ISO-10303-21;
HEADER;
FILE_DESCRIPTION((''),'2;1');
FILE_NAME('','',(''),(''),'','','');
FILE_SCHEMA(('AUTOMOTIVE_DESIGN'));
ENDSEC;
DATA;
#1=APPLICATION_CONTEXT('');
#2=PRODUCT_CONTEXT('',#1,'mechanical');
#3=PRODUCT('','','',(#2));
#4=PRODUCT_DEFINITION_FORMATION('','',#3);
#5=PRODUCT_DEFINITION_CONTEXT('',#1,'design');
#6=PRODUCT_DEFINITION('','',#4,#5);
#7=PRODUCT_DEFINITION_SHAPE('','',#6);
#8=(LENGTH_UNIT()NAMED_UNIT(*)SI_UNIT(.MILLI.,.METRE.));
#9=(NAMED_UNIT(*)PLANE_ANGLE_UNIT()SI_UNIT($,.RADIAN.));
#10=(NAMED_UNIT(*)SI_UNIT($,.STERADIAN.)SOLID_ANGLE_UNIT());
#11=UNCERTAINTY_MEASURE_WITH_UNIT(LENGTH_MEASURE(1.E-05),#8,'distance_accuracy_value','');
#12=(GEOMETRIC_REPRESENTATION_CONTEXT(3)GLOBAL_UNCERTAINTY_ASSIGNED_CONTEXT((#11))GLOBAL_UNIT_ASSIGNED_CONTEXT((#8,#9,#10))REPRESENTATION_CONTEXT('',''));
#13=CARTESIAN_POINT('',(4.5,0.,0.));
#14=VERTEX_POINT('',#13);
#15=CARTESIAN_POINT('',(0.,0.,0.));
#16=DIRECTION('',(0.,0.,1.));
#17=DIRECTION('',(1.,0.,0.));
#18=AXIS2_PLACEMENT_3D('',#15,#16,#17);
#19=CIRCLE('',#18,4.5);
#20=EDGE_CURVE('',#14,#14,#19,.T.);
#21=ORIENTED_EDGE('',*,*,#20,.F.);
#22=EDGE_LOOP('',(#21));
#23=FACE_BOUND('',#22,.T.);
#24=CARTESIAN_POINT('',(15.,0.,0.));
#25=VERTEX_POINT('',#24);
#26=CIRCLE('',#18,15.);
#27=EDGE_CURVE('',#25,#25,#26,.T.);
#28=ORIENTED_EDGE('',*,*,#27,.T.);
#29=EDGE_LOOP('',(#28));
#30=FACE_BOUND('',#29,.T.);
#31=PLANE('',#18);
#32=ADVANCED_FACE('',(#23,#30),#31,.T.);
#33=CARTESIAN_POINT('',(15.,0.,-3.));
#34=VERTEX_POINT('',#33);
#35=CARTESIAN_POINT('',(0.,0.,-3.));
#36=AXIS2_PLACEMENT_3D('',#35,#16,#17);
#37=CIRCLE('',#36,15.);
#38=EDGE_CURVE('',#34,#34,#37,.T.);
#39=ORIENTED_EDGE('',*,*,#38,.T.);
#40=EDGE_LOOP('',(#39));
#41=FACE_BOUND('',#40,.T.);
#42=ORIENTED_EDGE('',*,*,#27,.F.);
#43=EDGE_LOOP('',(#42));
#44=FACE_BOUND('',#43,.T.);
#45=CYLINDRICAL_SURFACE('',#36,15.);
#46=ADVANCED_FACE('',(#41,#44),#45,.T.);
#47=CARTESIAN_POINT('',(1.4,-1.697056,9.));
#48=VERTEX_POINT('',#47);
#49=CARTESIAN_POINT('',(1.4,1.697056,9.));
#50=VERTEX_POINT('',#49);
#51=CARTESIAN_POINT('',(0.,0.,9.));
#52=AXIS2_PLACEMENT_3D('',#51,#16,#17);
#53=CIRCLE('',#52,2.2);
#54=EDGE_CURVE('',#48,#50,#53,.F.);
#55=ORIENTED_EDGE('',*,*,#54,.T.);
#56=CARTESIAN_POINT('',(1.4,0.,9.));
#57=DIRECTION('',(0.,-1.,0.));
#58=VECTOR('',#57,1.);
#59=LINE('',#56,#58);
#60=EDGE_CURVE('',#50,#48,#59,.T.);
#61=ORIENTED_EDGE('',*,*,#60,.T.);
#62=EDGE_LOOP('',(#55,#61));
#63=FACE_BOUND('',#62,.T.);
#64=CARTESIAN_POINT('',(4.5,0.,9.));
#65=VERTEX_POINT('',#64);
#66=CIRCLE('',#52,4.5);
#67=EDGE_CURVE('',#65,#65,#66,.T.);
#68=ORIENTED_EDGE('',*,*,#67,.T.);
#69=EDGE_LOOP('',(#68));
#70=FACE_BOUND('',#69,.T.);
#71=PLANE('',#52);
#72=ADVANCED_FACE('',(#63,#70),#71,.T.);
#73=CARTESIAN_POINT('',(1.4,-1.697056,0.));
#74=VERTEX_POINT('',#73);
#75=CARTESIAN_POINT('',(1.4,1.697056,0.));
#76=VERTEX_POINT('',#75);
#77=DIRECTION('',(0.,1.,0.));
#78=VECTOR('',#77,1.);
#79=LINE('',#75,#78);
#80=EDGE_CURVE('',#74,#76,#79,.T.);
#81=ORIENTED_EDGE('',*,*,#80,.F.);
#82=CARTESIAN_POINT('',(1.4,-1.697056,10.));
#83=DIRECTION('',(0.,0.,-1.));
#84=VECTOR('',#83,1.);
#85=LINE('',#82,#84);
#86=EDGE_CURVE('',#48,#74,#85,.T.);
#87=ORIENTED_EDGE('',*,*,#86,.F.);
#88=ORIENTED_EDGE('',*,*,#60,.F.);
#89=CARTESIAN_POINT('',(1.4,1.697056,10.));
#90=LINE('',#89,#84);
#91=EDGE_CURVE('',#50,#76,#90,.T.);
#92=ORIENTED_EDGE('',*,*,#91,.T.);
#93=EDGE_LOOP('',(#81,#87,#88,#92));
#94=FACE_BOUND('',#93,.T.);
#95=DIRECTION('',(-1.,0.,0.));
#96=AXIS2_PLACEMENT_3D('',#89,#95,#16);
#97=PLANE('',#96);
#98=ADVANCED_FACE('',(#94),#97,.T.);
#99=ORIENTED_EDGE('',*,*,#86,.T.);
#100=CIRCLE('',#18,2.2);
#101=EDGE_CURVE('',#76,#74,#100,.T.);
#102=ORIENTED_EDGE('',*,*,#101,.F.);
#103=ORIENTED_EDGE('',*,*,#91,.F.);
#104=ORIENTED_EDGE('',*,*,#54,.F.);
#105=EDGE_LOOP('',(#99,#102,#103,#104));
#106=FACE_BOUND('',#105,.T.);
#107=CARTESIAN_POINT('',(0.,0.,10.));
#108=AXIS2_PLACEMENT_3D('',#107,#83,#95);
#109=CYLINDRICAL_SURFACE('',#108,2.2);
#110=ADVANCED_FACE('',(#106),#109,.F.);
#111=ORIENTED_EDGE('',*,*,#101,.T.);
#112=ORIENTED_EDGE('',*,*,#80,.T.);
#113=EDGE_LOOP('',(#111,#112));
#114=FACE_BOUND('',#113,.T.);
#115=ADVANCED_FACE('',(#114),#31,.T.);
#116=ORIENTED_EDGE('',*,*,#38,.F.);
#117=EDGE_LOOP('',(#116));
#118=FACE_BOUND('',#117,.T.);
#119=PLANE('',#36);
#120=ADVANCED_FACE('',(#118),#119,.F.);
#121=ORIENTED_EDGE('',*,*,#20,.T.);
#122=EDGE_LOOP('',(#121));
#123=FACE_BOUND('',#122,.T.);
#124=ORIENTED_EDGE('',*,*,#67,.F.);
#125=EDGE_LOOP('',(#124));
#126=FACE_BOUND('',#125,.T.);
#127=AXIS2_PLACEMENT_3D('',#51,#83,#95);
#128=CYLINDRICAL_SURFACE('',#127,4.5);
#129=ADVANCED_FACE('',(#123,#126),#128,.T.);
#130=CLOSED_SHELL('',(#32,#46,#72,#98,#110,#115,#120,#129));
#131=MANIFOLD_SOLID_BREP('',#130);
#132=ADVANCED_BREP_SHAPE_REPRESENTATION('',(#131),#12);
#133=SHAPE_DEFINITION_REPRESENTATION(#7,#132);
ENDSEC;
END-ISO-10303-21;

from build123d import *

# Parameters (mm, degrees)
SKETCH_2_R          = 4.5
EXTRUDE_1_DEPTH     = 9
SKETCH_3_R          = 15
EXTRUDE_2_DEPTH     = 3
CUT_EXTRUDE_1_DEPTH = 10


with BuildPart() as part:
    # Эскиз2 → Бобышка-Вытянуть1 (new body)
    with BuildSketch(Plane.XY):
        Circle(SKETCH_2_R)
    extrude(amount=EXTRUDE_1_DEPTH)

    # Эскиз3 → Бобышка-Вытянуть2 (add)
    with BuildSketch(Plane.XY):
        Circle(SKETCH_3_R)
    extrude(amount=-EXTRUDE_2_DEPTH)

    # Эскиз1 → Вырез-Вытянуть1 (cut)
    with BuildSketch(Plane.XY):
        with BuildLine():
            Line((1.4, 1.697056275), (1.4, -1.697056275))
            ThreePointArc((1.4, -1.697056275), (-2.2, 0), (1.4, 1.697056275))
        make_face()
    extrude(amount=CUT_EXTRUDE_1_DEPTH, mode=Mode.SUBTRACT)


solid = part.part
